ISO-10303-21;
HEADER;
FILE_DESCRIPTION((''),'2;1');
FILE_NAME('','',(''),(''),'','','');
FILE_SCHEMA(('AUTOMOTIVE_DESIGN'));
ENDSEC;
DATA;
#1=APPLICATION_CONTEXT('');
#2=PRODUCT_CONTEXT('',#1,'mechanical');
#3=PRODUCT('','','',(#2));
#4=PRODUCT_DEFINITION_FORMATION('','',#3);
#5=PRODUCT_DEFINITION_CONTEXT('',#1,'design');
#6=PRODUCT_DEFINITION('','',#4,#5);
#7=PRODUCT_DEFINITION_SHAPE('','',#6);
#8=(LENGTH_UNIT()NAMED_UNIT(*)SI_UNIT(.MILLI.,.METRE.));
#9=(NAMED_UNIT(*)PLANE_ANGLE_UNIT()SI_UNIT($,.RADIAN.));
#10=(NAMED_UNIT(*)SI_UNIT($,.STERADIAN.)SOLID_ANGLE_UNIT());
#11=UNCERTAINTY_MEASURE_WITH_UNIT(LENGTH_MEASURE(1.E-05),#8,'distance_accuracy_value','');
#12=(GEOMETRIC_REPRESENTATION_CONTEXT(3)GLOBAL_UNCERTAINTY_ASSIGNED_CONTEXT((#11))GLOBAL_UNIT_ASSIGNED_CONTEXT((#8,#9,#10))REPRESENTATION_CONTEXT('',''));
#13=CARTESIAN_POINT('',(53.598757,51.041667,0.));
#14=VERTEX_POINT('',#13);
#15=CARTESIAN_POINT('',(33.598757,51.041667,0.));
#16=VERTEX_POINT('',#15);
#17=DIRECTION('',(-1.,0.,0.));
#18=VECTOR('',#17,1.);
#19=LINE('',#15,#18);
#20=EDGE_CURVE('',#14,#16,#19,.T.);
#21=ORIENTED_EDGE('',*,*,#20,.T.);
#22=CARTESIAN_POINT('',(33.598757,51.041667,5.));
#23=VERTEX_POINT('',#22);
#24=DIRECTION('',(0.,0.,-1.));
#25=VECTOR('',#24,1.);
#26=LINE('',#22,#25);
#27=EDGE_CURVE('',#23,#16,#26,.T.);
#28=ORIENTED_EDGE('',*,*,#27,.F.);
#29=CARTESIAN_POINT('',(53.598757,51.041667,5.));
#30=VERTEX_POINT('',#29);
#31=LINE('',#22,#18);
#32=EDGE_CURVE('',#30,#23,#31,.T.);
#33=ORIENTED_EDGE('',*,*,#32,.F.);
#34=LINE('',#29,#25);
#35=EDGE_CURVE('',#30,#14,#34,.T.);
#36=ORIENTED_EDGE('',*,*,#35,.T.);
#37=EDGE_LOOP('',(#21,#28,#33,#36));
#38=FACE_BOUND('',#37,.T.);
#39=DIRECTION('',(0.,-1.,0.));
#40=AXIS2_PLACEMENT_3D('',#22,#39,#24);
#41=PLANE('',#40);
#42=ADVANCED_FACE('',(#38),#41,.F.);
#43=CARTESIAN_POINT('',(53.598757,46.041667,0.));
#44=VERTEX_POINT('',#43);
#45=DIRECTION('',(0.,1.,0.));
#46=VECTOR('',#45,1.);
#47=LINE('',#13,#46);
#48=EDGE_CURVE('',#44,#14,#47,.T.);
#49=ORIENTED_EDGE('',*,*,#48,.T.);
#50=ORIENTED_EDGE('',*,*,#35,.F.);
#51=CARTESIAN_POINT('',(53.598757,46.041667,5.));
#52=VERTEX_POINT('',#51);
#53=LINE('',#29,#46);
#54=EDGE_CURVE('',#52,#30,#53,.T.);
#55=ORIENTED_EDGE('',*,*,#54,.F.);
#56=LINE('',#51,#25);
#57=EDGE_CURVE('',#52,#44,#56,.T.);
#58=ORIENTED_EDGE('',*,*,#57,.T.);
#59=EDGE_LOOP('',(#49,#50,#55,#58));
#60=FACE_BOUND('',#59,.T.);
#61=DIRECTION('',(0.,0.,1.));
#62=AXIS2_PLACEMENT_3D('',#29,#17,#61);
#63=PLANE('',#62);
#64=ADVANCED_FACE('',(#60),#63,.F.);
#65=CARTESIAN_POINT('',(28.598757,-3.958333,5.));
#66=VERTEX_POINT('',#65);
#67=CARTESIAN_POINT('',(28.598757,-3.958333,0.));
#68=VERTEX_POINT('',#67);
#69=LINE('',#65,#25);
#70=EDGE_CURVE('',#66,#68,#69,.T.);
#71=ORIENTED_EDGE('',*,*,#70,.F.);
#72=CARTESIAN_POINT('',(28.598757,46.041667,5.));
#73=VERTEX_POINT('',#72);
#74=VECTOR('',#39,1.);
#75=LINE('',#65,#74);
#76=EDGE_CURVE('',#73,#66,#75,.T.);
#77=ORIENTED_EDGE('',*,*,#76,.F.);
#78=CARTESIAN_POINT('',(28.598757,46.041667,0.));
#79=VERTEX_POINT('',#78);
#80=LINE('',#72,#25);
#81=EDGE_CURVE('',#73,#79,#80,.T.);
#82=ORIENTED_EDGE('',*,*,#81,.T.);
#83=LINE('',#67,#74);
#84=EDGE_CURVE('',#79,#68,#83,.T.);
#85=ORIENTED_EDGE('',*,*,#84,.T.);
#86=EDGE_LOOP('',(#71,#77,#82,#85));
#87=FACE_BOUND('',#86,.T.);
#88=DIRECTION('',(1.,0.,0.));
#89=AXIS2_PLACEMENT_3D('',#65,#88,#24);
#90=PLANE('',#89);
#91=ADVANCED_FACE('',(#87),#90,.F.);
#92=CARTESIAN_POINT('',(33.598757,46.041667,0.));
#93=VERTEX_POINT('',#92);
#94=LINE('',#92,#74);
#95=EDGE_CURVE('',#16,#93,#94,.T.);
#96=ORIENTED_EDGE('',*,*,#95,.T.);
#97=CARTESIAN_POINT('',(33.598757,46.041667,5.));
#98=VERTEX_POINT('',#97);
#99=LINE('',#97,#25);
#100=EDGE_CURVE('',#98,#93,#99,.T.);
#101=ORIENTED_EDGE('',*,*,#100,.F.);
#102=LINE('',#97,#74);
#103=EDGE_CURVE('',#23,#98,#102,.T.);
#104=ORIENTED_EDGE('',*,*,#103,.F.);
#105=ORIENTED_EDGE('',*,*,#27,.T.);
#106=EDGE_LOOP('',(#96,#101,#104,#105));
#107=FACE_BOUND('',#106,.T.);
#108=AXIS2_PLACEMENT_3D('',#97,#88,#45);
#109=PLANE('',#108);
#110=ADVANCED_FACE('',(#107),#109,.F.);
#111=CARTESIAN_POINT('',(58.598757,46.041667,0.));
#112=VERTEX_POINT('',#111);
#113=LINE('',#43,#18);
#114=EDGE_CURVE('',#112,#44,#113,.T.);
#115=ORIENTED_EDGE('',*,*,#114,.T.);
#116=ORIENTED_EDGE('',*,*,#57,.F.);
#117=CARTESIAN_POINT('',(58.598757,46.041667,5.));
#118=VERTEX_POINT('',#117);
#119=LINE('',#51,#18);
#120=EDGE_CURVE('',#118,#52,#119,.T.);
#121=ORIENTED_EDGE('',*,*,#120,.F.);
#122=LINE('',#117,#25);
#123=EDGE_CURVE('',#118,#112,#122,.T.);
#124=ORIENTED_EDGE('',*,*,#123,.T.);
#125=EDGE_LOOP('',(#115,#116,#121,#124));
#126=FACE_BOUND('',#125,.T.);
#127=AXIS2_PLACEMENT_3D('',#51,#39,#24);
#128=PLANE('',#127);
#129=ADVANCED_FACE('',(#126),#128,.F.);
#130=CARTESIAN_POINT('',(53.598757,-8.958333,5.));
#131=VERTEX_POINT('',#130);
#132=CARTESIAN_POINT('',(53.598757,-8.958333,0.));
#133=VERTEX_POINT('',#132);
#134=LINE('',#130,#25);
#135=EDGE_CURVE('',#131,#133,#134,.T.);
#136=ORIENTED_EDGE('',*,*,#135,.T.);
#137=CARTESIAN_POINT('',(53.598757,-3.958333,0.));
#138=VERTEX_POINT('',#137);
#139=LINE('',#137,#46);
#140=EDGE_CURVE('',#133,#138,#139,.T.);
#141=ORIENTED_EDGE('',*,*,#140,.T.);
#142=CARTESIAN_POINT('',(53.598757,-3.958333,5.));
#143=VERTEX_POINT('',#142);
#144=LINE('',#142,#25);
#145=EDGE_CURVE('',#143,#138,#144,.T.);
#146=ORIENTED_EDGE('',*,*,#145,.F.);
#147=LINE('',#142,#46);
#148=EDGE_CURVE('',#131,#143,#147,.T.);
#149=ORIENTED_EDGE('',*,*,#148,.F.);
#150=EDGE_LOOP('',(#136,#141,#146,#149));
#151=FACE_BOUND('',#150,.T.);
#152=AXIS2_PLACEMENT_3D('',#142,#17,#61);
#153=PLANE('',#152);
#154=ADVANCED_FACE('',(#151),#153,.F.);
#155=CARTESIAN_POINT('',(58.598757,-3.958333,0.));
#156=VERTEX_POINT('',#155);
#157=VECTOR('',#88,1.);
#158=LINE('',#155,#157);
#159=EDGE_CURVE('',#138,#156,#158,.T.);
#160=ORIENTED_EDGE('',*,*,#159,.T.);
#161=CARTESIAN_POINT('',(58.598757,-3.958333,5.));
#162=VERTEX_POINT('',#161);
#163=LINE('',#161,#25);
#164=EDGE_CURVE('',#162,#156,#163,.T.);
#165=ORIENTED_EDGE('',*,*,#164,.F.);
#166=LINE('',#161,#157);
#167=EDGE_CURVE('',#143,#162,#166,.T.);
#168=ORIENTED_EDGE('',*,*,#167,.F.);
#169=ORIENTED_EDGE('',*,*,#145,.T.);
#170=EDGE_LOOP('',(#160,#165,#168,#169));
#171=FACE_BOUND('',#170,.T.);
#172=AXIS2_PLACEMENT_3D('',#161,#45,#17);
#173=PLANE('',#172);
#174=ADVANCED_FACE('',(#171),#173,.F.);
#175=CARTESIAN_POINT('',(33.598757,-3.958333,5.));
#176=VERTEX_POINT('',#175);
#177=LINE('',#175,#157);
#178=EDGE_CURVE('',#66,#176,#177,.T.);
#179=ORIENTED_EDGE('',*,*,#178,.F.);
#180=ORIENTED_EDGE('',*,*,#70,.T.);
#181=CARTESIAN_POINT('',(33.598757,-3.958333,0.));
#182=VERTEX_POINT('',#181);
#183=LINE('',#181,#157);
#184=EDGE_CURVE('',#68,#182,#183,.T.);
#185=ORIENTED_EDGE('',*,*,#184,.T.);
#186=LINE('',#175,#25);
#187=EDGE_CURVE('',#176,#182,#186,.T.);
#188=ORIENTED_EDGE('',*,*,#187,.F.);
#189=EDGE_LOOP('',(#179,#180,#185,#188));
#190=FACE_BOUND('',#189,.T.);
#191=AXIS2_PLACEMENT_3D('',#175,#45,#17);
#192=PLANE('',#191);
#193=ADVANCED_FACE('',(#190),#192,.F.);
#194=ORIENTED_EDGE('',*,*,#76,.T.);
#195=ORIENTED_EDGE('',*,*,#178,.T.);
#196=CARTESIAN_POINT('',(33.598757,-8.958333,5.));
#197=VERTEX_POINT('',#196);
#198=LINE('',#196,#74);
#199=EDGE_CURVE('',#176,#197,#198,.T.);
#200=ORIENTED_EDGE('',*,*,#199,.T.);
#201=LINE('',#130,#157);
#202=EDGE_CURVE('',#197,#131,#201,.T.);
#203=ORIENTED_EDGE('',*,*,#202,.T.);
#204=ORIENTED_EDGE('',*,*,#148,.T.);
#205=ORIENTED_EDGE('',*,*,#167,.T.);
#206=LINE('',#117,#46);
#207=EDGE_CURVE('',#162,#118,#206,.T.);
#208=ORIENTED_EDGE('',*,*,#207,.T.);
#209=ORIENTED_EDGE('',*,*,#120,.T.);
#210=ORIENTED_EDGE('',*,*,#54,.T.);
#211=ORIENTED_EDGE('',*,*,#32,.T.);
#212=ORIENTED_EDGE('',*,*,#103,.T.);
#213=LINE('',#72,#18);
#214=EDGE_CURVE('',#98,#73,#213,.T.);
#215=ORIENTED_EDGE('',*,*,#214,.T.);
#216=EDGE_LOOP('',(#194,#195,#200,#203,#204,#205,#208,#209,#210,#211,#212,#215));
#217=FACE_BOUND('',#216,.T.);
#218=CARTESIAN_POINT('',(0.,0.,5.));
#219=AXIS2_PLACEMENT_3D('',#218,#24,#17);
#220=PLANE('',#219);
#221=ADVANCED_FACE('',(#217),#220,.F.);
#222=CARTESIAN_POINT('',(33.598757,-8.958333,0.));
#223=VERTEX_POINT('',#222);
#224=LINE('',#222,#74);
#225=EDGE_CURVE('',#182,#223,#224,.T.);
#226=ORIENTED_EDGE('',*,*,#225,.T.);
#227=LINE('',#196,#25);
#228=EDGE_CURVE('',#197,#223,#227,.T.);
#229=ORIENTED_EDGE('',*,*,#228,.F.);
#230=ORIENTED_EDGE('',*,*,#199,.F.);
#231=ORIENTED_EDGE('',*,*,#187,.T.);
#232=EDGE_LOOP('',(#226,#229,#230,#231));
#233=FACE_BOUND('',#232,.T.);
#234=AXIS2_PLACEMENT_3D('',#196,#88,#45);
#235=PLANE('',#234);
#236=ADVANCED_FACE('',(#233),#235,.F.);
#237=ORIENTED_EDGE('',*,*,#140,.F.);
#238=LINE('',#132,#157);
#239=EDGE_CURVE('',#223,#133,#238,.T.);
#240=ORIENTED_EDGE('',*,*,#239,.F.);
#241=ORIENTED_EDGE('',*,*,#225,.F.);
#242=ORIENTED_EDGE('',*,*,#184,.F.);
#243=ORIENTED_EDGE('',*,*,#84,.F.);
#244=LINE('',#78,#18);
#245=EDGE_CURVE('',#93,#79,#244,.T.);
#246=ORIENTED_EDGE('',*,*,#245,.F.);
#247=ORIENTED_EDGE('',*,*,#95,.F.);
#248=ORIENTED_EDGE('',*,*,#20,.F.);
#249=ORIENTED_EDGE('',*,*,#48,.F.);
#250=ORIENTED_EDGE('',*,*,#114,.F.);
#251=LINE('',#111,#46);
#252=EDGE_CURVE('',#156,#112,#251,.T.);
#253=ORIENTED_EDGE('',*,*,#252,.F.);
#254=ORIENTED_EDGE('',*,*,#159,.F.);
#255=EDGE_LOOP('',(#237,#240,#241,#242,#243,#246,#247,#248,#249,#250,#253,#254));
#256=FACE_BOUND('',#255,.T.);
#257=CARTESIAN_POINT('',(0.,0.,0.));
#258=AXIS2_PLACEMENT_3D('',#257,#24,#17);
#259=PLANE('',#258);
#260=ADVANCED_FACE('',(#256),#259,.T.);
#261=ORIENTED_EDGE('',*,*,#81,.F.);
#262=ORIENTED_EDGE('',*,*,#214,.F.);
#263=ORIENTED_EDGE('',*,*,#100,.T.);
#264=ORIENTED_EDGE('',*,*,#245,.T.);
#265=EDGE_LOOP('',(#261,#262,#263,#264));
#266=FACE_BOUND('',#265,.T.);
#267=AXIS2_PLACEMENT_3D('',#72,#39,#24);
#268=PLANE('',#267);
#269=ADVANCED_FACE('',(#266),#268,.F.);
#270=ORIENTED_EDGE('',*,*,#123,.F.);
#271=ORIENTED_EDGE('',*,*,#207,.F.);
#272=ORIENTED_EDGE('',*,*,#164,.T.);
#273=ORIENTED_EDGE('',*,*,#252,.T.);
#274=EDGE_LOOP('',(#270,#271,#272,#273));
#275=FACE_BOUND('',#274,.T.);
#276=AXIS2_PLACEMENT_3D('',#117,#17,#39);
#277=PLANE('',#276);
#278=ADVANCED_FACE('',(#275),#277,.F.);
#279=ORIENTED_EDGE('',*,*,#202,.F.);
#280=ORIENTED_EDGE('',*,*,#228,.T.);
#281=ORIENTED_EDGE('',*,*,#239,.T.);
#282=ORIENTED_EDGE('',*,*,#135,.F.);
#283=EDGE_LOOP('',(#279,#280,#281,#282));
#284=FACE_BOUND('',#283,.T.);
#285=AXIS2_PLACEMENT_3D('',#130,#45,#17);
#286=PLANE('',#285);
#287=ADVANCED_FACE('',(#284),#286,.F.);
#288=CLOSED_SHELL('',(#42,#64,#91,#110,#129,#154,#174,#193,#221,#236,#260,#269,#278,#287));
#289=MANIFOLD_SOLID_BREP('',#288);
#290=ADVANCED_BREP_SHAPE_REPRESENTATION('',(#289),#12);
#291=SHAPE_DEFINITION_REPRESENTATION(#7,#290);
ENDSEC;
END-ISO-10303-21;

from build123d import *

# Parameters (mm, degrees)
BOSS_EXTRU_1_DEPTH = 5


with BuildPart() as part:
    # Esquisse1 → Boss.-Extru.1 (new body)
    with BuildSketch(Plane.XY):
        Polygon((28.598756905, 46.041666667), (33.598756905, 46.041666667), (33.598756905, 51.041666667), (53.598756905, 51.041666667), (53.598756905, 46.041666667), (58.598756905, 46.041666667), (58.598756905, -3.958333333), (53.598756905, -3.958333333), (53.598756905, -8.958333333), (33.598756905, -8.958333333), (33.598756905, -3.958333333), (28.598756905, -3.958333333), align=None)
    extrude(amount=BOSS_EXTRU_1_DEPTH)


solid = part.part
